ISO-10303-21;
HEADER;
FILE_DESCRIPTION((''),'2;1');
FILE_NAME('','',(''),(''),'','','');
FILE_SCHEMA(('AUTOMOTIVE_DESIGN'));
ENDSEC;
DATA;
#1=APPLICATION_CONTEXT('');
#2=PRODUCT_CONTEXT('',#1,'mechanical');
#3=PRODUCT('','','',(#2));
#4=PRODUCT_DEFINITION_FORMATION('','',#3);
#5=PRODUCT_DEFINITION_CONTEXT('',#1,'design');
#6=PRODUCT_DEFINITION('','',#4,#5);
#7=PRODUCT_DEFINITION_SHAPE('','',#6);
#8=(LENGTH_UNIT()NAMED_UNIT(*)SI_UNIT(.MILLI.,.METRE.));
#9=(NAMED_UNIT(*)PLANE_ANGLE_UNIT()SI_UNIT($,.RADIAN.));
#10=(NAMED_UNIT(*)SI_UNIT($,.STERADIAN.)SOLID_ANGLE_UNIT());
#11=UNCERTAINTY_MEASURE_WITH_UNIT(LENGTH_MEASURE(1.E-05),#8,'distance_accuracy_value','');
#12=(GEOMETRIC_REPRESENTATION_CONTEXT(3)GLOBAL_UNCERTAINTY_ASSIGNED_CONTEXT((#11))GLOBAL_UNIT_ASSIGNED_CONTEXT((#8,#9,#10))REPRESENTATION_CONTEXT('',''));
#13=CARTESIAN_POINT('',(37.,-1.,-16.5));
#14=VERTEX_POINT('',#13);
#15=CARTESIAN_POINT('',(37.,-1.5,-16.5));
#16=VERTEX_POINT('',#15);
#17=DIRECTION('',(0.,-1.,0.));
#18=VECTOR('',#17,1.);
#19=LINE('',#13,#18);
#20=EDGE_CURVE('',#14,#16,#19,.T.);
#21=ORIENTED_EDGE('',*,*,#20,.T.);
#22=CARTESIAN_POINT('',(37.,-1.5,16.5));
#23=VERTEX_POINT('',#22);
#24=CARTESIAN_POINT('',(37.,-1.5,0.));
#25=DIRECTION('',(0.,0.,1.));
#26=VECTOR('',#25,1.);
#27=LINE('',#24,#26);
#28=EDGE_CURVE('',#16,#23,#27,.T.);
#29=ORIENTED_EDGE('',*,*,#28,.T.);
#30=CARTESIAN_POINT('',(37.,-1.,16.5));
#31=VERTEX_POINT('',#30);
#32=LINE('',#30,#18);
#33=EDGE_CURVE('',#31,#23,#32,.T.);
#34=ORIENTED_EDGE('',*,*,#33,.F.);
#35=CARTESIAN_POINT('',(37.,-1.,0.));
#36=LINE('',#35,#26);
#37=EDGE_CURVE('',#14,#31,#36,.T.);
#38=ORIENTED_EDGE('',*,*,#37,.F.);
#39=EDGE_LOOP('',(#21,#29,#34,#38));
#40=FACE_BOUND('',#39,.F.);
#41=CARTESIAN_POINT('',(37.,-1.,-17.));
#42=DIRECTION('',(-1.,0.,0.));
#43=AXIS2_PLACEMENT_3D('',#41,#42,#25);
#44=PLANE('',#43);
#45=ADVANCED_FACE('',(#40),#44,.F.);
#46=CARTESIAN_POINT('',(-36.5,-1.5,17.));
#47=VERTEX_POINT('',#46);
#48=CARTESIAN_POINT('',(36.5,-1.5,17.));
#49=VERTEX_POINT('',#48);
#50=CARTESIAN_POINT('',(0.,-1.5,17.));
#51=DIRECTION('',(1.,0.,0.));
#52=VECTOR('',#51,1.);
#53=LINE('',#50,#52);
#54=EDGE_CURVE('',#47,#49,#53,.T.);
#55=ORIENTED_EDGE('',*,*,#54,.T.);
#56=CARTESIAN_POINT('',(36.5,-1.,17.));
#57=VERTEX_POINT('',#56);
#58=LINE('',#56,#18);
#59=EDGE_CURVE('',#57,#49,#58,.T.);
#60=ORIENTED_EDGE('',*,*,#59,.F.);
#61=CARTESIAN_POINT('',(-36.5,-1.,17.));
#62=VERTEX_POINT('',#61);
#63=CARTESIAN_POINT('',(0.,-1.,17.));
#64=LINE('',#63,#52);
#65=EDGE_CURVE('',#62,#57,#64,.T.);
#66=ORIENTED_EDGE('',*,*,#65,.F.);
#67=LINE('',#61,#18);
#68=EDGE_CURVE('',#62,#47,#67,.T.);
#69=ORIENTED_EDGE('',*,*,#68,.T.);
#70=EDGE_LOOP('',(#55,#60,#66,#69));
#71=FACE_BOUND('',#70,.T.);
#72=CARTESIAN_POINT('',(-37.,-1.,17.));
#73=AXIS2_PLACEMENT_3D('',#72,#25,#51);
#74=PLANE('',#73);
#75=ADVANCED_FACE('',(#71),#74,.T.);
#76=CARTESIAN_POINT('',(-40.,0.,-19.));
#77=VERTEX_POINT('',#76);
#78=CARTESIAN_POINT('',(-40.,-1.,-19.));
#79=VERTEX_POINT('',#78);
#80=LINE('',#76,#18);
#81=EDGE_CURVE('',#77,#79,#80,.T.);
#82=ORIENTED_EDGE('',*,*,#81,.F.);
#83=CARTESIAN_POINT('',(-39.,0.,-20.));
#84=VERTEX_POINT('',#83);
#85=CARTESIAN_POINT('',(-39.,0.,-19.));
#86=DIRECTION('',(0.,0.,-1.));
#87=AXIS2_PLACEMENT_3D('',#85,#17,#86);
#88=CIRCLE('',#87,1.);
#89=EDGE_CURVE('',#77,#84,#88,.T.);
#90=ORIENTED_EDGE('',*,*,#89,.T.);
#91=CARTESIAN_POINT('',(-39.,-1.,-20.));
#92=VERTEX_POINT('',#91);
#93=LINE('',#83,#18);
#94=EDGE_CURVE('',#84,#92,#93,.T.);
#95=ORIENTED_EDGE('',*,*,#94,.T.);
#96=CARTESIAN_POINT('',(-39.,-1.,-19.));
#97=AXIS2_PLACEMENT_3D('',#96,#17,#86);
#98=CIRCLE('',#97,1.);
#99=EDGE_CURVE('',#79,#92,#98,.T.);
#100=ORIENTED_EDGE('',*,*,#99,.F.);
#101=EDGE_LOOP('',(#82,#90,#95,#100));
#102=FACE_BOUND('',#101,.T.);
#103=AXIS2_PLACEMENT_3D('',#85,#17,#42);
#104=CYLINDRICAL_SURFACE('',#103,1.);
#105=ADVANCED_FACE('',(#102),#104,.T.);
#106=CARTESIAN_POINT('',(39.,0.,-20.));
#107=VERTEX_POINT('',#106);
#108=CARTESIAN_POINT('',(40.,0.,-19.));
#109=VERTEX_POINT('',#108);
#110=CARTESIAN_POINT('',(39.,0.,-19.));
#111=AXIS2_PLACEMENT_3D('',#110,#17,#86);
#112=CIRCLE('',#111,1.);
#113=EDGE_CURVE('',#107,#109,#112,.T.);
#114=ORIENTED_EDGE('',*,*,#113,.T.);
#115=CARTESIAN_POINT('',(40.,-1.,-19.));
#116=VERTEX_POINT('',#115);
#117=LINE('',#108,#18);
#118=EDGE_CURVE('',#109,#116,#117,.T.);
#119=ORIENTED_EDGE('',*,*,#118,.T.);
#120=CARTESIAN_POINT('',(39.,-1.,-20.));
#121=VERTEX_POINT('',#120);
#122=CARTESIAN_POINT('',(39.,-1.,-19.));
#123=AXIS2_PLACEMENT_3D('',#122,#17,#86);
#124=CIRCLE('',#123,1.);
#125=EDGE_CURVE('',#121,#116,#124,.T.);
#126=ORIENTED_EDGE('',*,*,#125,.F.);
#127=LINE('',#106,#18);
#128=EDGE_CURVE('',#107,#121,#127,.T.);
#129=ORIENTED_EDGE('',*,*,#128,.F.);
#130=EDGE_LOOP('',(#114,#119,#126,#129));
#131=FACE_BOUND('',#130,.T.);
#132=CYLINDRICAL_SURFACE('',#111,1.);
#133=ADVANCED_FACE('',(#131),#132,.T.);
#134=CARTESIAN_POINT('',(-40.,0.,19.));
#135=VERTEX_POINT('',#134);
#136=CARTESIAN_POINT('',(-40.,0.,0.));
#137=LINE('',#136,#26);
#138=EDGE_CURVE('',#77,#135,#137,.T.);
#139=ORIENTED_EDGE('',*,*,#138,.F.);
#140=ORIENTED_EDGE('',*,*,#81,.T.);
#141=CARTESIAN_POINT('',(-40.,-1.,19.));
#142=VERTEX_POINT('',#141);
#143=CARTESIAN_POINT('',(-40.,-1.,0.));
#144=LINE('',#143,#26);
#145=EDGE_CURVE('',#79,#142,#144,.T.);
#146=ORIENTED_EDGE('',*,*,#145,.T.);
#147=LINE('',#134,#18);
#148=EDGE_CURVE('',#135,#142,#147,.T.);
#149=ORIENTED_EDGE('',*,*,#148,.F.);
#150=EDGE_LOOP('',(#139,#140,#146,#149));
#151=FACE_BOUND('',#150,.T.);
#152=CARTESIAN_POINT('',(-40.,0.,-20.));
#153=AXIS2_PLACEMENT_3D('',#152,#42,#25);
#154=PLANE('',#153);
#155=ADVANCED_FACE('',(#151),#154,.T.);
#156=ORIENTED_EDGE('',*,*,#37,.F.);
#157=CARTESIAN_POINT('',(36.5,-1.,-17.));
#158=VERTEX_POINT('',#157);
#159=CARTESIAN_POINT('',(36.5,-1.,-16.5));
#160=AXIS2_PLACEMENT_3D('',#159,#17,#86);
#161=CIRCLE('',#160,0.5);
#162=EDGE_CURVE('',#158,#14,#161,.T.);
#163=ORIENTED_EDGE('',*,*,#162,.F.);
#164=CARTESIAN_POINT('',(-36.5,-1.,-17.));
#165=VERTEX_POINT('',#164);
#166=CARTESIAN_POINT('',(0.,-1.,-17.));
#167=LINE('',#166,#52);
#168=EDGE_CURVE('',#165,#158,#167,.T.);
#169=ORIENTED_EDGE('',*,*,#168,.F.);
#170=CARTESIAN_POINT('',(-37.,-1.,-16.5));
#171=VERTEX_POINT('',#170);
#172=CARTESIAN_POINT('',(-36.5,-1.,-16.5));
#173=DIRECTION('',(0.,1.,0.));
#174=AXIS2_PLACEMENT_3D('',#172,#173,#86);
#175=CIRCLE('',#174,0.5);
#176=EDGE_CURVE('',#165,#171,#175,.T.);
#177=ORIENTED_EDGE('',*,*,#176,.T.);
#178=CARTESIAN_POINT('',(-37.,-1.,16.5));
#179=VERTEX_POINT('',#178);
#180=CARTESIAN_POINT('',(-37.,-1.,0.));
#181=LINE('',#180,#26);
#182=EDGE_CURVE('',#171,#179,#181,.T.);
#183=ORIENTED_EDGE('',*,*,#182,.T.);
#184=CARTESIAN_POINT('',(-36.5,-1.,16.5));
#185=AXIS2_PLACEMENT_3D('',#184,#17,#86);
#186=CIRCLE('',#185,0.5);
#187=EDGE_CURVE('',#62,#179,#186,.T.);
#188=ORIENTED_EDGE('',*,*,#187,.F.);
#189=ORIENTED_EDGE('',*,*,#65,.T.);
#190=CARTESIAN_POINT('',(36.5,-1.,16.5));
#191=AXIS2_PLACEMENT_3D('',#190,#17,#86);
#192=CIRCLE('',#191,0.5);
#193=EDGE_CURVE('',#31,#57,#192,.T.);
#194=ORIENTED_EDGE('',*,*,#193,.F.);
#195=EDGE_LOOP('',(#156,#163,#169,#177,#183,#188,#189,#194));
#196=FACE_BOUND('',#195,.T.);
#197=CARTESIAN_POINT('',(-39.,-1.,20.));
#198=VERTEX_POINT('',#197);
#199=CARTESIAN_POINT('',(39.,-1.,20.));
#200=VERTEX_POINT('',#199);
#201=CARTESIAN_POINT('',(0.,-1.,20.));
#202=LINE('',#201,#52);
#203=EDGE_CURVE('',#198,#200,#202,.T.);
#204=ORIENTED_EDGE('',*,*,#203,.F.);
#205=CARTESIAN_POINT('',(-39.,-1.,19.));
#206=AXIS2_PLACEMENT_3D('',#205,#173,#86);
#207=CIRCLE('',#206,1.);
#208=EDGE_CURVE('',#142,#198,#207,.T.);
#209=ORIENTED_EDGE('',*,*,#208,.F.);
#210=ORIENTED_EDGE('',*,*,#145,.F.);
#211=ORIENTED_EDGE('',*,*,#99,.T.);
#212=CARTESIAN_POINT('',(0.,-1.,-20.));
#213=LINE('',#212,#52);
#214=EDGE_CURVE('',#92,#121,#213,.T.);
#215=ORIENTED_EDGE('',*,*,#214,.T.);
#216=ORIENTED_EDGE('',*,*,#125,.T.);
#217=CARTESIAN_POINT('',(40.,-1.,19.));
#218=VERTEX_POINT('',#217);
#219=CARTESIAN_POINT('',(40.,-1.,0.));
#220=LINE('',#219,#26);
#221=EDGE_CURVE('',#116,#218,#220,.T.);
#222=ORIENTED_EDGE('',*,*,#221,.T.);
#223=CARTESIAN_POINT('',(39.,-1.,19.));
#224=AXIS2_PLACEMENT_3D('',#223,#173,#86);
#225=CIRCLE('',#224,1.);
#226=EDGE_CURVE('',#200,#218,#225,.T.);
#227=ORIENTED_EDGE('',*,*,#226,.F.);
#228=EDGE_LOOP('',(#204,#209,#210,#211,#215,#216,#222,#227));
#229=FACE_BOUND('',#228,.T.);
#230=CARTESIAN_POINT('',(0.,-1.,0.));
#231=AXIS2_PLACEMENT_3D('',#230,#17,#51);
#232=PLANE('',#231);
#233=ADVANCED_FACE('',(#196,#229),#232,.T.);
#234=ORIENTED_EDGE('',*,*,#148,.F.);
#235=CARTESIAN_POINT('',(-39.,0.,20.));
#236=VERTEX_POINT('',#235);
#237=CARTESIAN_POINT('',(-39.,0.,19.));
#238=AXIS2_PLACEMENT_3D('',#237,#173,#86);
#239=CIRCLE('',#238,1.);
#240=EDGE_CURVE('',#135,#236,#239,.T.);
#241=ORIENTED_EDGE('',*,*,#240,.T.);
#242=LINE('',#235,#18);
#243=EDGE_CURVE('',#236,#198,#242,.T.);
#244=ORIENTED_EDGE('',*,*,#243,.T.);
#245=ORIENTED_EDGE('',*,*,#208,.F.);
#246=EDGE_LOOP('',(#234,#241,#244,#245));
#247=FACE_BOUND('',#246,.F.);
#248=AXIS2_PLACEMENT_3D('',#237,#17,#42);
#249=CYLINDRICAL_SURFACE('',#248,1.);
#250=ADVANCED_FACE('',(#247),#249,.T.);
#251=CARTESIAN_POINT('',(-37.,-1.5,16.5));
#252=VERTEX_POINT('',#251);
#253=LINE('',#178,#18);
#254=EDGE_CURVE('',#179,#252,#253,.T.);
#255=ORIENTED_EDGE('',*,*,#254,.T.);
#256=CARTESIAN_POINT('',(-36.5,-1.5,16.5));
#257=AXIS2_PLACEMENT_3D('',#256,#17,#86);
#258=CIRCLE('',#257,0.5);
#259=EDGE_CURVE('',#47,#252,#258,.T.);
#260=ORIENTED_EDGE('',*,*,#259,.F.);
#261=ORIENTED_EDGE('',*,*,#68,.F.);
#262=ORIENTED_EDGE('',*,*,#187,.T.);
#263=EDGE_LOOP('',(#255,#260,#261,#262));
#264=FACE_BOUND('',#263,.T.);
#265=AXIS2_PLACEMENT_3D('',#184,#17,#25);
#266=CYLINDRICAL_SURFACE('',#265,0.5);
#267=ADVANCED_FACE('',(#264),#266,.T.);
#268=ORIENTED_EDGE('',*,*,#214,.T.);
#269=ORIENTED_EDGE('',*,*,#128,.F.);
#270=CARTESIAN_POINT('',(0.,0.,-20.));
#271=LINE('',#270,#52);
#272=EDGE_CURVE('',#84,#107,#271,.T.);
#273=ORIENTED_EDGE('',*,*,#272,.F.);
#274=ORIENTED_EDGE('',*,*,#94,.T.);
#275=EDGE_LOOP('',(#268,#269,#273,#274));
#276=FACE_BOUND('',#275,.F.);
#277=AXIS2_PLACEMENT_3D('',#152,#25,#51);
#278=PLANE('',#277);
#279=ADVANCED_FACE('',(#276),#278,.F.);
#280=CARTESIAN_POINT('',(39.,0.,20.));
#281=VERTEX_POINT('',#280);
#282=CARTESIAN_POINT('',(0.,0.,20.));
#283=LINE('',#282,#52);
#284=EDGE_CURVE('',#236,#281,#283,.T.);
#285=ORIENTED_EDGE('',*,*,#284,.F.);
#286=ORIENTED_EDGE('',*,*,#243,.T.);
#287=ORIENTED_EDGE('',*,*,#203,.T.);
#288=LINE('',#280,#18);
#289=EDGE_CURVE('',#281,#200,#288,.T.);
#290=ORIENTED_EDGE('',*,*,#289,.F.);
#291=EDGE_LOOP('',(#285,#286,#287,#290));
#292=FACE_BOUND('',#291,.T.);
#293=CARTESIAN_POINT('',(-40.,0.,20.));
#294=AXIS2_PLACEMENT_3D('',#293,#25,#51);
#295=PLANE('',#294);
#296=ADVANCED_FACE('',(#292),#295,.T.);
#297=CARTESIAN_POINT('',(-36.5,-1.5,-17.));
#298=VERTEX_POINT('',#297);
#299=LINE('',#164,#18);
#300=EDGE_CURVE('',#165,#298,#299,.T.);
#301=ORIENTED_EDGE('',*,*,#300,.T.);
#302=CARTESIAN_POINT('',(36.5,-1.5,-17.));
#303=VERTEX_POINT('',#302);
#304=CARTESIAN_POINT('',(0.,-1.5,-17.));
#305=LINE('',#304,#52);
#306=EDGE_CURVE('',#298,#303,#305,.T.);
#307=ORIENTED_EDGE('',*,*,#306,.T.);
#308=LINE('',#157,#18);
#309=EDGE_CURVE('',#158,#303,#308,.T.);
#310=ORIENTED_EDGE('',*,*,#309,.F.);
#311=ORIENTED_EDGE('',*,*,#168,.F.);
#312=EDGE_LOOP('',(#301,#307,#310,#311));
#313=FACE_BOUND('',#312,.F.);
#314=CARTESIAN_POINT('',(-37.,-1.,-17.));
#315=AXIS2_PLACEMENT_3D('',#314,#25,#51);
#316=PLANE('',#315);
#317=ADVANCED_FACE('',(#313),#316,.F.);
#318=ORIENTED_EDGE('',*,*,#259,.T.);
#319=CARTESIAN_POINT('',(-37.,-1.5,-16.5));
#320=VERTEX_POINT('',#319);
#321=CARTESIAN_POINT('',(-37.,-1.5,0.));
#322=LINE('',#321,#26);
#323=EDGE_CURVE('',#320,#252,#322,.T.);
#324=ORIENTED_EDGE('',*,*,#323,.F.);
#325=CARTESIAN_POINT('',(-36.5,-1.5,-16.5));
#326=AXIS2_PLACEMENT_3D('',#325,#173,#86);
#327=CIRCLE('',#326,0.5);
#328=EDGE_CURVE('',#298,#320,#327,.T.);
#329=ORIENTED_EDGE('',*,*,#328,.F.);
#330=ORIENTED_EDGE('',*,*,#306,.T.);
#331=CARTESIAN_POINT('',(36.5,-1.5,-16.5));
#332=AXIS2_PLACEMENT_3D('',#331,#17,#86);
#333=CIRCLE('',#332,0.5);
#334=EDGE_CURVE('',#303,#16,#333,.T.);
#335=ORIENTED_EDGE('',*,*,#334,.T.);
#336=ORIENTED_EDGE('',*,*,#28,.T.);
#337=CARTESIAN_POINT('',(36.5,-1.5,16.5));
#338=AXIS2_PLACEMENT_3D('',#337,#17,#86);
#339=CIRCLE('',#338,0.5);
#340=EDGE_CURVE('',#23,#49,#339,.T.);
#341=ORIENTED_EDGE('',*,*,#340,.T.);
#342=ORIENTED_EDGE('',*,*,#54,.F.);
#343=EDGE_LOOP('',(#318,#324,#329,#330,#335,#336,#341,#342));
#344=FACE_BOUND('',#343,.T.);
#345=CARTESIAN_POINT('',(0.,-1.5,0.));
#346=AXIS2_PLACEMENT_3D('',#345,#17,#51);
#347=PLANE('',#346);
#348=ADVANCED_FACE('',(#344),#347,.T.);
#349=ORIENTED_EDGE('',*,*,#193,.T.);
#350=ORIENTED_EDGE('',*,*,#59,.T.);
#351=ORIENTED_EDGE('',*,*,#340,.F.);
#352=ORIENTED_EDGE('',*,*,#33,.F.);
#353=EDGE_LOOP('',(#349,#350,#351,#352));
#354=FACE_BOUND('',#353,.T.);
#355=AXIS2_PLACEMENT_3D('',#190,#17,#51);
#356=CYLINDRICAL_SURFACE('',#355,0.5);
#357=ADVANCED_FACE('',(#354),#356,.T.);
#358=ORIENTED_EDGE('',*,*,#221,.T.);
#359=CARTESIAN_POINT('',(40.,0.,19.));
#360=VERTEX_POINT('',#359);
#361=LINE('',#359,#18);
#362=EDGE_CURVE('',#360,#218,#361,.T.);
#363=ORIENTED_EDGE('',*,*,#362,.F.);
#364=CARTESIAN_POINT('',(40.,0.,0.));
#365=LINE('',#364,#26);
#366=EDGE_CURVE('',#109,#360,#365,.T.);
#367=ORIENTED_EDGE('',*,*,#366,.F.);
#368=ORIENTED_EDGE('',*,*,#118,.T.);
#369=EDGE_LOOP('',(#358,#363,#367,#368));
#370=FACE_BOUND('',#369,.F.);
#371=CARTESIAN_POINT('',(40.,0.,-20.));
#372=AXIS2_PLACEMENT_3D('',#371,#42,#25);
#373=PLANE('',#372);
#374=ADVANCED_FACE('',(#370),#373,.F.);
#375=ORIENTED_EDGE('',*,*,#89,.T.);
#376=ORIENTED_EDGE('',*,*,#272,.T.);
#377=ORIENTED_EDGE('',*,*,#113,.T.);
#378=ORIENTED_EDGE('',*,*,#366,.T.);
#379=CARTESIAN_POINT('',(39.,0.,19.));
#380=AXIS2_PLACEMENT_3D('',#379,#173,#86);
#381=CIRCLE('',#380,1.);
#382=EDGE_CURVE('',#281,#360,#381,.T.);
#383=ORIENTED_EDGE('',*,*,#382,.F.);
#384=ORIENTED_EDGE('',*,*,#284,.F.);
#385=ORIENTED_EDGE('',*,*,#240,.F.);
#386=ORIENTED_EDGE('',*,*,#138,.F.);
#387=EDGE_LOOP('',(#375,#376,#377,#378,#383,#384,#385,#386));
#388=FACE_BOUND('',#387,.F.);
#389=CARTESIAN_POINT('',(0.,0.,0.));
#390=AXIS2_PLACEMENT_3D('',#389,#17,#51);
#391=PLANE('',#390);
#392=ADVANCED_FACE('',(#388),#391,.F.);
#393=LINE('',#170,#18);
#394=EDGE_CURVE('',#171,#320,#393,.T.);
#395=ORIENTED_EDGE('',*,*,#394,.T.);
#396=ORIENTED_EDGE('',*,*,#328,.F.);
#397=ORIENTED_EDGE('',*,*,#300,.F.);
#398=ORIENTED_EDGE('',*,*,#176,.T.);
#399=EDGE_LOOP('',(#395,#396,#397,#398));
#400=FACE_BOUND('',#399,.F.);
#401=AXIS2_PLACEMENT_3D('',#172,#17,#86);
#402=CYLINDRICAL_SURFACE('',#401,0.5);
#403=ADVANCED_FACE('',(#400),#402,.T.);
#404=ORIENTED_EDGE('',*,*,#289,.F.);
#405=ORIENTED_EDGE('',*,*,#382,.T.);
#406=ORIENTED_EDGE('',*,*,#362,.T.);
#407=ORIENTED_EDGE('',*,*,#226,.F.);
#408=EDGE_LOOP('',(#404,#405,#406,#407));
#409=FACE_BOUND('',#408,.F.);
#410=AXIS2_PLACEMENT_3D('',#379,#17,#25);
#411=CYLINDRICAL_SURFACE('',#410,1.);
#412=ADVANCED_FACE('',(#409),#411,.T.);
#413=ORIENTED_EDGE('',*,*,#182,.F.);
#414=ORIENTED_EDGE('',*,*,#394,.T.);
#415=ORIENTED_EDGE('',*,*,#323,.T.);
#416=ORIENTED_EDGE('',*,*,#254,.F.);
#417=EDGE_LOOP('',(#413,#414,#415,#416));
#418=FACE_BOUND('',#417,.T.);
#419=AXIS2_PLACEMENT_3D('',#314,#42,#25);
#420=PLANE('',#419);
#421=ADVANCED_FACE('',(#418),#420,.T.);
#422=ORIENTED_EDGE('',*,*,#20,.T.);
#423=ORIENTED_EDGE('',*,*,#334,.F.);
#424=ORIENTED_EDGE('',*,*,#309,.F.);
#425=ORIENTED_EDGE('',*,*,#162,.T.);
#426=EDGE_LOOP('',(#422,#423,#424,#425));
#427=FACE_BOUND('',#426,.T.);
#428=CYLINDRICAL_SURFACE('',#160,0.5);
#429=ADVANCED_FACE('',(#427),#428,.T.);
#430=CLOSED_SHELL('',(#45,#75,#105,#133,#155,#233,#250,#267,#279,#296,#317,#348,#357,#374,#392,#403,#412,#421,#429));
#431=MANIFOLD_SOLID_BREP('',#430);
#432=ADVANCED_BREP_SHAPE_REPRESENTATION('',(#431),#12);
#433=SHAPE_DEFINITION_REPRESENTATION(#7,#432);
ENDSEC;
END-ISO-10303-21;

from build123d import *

# Parameters (mm, degrees)
F0_W     = 80
F0_H     = 40
F1_DEPTH = 1
F2_W     = 74
F2_H     = 34
F3_DEPTH = 0.5
F4_R     = 1
F5_R     = 0.5


with BuildPart() as f1:
    # F0 (on Front) → F1 (new body)
    with BuildSketch(Plane.XZ):
        Rectangle(F0_W, F0_H)
    extrude(amount=F1_DEPTH)

    # F2 (on face) → F3 (join)
    with BuildSketch(Plane.XZ.offset(1)):
        Rectangle(F2_W, F2_H)
    extrude(amount=F3_DEPTH)

    # F4
    f4_edges = [f1.edges().sort_by_distance(p)[0] for p in [
        (40, -0.5, 20),
        (40, -0.5, -20),
        (-40, -0.5, -20),
        (-40, -0.5, 20),
    ]]
    fillet(f4_edges, radius=F4_R)

    # F5
    f5_edges = [f1.edges().sort_by_distance(p)[0] for p in [
        (-37, -1.25, 17),
        (-37, -1.25, -17),
        (37, -1.25, -17),
        (37, -1.25, 17),
    ]]
    fillet(f5_edges, radius=F5_R)


solid = f1.part
